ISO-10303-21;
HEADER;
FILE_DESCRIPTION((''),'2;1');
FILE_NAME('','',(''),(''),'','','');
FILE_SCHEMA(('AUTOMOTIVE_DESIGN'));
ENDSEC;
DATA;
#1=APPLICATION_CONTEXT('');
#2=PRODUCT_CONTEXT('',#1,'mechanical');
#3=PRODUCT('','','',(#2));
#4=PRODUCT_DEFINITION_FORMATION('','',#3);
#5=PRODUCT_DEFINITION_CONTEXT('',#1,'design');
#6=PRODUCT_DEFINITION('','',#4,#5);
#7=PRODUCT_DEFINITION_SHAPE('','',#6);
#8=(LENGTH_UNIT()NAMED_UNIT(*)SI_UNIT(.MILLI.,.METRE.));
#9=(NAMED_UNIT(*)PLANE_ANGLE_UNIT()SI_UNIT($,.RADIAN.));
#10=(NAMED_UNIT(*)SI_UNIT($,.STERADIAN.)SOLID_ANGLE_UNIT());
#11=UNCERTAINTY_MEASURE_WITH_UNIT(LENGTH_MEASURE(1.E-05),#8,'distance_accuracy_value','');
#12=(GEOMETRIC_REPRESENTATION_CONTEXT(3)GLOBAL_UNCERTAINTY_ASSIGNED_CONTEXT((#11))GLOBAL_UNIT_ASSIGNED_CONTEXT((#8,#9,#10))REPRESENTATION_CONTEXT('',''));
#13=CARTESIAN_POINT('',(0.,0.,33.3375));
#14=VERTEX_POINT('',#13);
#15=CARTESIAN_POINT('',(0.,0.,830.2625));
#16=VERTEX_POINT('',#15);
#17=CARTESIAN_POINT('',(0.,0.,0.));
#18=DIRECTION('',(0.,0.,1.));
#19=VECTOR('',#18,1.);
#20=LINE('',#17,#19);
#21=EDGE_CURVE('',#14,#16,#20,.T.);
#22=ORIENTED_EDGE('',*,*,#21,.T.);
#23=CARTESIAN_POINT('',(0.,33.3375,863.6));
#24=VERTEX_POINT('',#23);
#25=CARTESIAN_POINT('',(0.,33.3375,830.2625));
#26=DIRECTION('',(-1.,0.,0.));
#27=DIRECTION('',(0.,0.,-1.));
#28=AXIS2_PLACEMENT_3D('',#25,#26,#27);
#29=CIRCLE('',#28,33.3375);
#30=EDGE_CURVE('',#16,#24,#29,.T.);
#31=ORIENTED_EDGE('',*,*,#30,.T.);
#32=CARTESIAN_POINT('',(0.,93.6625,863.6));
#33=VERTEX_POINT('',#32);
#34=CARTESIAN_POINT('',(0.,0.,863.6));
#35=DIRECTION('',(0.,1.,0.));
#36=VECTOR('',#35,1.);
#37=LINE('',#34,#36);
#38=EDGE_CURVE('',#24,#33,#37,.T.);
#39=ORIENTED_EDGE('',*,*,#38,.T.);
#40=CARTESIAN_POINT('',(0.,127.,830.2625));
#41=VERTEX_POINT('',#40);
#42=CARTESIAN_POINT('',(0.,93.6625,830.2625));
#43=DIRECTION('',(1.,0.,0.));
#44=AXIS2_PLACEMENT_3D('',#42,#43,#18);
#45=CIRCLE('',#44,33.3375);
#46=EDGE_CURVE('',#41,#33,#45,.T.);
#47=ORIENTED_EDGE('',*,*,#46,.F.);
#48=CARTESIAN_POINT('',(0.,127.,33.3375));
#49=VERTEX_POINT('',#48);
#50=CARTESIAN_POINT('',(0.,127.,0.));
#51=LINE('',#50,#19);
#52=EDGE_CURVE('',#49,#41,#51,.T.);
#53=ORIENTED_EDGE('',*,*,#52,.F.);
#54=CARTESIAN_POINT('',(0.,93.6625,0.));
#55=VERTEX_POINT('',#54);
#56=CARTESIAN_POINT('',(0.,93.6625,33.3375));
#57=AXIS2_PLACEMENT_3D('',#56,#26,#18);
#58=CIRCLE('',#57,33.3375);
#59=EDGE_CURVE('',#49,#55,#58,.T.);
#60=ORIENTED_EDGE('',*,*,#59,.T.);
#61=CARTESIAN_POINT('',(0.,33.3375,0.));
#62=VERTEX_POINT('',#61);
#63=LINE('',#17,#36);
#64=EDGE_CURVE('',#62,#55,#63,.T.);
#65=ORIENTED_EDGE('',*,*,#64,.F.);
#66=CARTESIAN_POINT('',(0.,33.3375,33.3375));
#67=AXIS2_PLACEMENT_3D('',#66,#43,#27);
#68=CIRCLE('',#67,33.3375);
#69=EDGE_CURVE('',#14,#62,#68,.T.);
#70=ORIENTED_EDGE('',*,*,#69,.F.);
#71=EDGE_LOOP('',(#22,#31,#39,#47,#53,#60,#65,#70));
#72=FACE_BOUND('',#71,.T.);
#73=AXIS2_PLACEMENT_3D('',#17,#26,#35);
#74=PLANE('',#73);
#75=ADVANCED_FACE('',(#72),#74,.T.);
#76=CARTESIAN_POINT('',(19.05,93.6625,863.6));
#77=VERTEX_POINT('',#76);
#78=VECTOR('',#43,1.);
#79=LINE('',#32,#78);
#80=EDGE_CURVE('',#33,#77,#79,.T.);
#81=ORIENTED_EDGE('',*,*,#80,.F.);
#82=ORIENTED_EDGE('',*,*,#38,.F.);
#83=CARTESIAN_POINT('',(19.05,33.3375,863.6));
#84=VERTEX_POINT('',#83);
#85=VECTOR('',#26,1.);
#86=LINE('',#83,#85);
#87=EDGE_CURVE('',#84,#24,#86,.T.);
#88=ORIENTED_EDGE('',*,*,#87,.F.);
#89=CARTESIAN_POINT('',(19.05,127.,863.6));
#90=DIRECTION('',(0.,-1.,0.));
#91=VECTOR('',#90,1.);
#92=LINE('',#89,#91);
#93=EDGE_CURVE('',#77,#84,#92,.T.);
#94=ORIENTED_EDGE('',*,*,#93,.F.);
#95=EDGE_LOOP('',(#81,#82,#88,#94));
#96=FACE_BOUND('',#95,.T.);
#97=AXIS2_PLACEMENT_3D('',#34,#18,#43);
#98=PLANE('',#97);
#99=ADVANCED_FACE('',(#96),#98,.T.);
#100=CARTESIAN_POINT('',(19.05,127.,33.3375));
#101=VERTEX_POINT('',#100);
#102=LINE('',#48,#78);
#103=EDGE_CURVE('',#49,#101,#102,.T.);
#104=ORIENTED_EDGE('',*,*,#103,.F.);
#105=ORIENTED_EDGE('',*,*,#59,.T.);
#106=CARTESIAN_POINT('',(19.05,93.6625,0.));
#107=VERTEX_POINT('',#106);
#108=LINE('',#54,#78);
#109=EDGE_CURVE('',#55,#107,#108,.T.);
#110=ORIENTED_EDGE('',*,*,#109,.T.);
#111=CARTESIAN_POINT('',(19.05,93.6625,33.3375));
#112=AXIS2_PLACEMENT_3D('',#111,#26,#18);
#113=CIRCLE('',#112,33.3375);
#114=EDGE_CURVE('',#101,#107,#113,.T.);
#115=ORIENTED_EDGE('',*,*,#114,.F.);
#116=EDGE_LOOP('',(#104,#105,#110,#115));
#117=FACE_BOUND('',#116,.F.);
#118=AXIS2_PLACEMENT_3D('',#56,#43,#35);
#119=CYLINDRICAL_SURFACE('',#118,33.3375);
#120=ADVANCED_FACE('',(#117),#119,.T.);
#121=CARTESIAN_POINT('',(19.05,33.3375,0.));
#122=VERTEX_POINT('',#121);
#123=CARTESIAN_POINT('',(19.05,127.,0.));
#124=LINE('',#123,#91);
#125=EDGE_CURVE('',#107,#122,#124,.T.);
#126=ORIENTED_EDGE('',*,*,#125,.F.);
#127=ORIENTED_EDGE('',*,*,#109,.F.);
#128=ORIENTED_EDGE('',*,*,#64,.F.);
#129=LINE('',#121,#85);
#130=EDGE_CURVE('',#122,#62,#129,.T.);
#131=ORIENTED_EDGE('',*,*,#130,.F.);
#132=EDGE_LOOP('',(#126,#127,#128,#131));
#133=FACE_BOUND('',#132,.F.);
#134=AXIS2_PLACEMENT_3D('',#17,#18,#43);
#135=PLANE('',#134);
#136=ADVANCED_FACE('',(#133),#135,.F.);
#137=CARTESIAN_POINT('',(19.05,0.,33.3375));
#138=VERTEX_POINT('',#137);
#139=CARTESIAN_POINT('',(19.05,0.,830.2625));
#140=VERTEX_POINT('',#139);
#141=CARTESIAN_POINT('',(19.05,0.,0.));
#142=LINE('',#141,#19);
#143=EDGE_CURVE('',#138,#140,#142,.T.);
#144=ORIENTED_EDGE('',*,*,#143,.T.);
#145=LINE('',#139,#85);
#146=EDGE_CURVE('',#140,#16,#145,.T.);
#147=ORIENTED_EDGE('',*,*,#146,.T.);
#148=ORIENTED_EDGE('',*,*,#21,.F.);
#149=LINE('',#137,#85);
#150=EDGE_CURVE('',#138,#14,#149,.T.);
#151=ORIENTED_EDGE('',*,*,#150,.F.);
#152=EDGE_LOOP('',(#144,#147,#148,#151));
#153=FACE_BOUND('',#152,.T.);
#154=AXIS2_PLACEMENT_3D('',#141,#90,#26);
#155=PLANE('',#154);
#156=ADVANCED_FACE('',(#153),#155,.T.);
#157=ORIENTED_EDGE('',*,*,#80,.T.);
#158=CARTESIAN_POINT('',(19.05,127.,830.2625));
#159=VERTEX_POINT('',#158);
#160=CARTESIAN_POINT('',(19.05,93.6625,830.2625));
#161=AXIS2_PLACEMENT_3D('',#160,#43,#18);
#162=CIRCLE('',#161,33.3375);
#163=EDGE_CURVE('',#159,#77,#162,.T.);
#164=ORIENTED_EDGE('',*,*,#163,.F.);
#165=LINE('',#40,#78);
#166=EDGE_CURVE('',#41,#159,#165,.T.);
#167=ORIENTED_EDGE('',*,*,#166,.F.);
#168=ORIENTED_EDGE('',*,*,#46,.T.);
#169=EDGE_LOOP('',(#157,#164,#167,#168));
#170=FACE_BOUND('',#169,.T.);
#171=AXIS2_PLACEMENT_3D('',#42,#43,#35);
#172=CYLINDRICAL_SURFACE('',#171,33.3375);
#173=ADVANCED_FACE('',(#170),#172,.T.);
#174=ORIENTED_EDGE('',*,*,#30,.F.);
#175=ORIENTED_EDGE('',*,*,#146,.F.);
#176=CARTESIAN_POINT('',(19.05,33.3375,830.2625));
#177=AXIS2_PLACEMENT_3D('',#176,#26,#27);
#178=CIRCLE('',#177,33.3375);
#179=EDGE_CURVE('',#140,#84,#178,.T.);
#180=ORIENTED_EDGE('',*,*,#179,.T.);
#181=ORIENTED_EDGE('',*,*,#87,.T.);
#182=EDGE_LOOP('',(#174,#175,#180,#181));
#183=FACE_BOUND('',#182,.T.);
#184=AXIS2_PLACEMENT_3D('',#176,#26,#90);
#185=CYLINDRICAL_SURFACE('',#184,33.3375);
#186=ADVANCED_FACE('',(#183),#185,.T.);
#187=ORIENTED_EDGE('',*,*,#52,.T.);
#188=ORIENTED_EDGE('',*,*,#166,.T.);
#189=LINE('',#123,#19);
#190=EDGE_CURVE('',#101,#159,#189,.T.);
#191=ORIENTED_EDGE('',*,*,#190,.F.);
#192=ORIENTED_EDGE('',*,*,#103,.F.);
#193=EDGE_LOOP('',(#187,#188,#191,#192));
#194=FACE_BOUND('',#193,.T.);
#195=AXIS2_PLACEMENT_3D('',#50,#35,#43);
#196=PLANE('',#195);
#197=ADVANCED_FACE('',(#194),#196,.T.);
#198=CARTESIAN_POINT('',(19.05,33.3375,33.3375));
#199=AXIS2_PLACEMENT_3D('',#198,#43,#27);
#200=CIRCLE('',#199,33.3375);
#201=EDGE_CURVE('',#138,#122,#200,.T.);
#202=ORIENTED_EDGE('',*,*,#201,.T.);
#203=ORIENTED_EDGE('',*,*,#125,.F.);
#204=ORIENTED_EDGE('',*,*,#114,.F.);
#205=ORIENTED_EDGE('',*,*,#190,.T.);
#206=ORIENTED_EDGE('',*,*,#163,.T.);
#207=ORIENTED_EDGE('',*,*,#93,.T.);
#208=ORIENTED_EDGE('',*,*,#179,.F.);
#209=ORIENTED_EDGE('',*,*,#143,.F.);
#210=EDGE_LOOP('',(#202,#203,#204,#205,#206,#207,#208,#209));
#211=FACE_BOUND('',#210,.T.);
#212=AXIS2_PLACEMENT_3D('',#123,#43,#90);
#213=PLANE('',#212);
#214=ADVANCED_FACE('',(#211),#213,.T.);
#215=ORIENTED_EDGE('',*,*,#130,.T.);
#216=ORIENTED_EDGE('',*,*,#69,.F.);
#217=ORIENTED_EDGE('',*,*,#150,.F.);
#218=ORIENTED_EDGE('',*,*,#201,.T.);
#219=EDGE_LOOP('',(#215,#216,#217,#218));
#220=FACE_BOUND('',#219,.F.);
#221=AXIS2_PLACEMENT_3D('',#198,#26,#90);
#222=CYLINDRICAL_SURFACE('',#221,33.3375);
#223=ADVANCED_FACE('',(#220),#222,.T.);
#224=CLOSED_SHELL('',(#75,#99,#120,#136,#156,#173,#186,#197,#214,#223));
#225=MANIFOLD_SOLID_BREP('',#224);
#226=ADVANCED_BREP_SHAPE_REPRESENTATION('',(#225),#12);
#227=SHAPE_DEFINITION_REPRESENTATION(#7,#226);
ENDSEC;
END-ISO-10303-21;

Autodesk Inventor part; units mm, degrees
ref_plane "YZ Plane" through (0, 0, 0) normal (1, 0, 0) x (0, 1, 0)
ref_plane "XZ Plane" through (0, 0, 0) normal (0, 1, 0) x (-1, 0, 0)
ref_plane "XY Plane" through (0, 0, 0) normal (0, 0, 1) x (1, 0, 0)
sketch "Sketch1" plane through (0, 0, 0) normal (0, 0, 1) x (1, 0, 0)
  line L0 (0, 0) -> (0, 127)
  line L1 (0, 127) -> (19.05, 127)
  line L2 (19.05, 127) -> (19.05, 0)
  line L3 (19.05, 0) -> (0, 0)
  dimension "d0" = 127
  dimension "d1" = 19.05
extrude "Extrusion1" add sketch "Sketch1" along normal blind 863.6
fillet "Fillet1" radius 33.3375 4 edges at (9.525, 127, 863.6) (9.525, 0, 863.6) (9.525, 127, 0) (9.525, 0, 0)
properties part number "Bumper Wood Backing Part2 (24x28 robot)" material "Wood (Birch)"
